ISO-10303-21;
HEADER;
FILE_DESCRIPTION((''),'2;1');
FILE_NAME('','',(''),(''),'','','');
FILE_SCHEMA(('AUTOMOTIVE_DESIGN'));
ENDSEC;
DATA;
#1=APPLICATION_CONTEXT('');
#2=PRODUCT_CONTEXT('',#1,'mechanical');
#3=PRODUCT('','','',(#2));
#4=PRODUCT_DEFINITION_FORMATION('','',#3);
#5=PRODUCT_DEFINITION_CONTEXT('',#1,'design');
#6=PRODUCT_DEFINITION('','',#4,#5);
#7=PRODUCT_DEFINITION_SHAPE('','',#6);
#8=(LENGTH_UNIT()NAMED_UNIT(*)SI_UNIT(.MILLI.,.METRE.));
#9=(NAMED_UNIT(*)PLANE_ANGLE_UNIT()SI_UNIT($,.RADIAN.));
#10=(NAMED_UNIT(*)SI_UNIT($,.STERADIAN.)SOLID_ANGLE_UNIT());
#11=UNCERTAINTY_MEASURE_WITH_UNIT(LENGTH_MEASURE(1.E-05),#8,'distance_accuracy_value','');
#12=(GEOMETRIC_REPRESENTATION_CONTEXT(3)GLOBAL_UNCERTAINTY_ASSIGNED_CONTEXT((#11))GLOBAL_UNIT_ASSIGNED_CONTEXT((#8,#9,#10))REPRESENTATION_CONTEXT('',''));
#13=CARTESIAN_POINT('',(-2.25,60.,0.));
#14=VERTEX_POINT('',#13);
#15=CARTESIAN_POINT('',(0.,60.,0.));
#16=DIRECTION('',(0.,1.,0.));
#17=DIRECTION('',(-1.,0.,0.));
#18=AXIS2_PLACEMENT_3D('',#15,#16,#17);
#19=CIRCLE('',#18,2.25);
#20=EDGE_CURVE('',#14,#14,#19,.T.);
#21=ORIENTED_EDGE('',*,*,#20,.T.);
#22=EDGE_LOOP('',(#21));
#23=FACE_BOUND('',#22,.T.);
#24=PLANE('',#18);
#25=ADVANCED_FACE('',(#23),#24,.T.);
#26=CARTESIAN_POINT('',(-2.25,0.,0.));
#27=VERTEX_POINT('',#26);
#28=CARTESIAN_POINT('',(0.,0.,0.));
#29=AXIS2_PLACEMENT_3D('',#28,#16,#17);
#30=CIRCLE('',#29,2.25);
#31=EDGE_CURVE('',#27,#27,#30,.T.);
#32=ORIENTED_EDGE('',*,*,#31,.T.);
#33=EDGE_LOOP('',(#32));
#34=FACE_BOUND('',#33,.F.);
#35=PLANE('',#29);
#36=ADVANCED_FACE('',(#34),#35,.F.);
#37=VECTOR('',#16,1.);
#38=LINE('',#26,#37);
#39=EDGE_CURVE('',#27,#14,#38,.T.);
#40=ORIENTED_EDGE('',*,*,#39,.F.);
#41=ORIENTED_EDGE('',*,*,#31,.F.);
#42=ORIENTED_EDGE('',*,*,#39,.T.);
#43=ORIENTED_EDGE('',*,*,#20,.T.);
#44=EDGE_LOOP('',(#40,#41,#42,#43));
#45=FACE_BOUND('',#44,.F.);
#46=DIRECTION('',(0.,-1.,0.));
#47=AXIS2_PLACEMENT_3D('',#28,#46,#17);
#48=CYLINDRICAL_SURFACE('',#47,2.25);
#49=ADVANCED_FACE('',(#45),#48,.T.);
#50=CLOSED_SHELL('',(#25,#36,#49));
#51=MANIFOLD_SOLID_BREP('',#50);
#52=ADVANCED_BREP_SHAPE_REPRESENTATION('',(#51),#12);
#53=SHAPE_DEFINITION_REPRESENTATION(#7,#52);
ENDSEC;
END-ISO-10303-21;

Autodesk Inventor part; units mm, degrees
ref_plane "YZ Plane" through (0, 0, 0) normal (1, 0, 0) x (0, 1, 0)
ref_plane "XZ Plane" through (0, 0, 0) normal (0, 1, 0) x (-1, 0, 0)
ref_plane "XY Plane" through (0, 0, 0) normal (0, 0, 1) x (1, 0, 0)
sketch "Sketch1" plane through (0, 0, 0) normal (0, 1, 0) x (-1, 0, 0)
  circle A0 centre (0, 0) radius 2.25
  dimension "d0" = 4.5
extrude "Extrusion1" add sketch "Sketch1" along normal blind 60
properties part number "FP Axle (2)"
